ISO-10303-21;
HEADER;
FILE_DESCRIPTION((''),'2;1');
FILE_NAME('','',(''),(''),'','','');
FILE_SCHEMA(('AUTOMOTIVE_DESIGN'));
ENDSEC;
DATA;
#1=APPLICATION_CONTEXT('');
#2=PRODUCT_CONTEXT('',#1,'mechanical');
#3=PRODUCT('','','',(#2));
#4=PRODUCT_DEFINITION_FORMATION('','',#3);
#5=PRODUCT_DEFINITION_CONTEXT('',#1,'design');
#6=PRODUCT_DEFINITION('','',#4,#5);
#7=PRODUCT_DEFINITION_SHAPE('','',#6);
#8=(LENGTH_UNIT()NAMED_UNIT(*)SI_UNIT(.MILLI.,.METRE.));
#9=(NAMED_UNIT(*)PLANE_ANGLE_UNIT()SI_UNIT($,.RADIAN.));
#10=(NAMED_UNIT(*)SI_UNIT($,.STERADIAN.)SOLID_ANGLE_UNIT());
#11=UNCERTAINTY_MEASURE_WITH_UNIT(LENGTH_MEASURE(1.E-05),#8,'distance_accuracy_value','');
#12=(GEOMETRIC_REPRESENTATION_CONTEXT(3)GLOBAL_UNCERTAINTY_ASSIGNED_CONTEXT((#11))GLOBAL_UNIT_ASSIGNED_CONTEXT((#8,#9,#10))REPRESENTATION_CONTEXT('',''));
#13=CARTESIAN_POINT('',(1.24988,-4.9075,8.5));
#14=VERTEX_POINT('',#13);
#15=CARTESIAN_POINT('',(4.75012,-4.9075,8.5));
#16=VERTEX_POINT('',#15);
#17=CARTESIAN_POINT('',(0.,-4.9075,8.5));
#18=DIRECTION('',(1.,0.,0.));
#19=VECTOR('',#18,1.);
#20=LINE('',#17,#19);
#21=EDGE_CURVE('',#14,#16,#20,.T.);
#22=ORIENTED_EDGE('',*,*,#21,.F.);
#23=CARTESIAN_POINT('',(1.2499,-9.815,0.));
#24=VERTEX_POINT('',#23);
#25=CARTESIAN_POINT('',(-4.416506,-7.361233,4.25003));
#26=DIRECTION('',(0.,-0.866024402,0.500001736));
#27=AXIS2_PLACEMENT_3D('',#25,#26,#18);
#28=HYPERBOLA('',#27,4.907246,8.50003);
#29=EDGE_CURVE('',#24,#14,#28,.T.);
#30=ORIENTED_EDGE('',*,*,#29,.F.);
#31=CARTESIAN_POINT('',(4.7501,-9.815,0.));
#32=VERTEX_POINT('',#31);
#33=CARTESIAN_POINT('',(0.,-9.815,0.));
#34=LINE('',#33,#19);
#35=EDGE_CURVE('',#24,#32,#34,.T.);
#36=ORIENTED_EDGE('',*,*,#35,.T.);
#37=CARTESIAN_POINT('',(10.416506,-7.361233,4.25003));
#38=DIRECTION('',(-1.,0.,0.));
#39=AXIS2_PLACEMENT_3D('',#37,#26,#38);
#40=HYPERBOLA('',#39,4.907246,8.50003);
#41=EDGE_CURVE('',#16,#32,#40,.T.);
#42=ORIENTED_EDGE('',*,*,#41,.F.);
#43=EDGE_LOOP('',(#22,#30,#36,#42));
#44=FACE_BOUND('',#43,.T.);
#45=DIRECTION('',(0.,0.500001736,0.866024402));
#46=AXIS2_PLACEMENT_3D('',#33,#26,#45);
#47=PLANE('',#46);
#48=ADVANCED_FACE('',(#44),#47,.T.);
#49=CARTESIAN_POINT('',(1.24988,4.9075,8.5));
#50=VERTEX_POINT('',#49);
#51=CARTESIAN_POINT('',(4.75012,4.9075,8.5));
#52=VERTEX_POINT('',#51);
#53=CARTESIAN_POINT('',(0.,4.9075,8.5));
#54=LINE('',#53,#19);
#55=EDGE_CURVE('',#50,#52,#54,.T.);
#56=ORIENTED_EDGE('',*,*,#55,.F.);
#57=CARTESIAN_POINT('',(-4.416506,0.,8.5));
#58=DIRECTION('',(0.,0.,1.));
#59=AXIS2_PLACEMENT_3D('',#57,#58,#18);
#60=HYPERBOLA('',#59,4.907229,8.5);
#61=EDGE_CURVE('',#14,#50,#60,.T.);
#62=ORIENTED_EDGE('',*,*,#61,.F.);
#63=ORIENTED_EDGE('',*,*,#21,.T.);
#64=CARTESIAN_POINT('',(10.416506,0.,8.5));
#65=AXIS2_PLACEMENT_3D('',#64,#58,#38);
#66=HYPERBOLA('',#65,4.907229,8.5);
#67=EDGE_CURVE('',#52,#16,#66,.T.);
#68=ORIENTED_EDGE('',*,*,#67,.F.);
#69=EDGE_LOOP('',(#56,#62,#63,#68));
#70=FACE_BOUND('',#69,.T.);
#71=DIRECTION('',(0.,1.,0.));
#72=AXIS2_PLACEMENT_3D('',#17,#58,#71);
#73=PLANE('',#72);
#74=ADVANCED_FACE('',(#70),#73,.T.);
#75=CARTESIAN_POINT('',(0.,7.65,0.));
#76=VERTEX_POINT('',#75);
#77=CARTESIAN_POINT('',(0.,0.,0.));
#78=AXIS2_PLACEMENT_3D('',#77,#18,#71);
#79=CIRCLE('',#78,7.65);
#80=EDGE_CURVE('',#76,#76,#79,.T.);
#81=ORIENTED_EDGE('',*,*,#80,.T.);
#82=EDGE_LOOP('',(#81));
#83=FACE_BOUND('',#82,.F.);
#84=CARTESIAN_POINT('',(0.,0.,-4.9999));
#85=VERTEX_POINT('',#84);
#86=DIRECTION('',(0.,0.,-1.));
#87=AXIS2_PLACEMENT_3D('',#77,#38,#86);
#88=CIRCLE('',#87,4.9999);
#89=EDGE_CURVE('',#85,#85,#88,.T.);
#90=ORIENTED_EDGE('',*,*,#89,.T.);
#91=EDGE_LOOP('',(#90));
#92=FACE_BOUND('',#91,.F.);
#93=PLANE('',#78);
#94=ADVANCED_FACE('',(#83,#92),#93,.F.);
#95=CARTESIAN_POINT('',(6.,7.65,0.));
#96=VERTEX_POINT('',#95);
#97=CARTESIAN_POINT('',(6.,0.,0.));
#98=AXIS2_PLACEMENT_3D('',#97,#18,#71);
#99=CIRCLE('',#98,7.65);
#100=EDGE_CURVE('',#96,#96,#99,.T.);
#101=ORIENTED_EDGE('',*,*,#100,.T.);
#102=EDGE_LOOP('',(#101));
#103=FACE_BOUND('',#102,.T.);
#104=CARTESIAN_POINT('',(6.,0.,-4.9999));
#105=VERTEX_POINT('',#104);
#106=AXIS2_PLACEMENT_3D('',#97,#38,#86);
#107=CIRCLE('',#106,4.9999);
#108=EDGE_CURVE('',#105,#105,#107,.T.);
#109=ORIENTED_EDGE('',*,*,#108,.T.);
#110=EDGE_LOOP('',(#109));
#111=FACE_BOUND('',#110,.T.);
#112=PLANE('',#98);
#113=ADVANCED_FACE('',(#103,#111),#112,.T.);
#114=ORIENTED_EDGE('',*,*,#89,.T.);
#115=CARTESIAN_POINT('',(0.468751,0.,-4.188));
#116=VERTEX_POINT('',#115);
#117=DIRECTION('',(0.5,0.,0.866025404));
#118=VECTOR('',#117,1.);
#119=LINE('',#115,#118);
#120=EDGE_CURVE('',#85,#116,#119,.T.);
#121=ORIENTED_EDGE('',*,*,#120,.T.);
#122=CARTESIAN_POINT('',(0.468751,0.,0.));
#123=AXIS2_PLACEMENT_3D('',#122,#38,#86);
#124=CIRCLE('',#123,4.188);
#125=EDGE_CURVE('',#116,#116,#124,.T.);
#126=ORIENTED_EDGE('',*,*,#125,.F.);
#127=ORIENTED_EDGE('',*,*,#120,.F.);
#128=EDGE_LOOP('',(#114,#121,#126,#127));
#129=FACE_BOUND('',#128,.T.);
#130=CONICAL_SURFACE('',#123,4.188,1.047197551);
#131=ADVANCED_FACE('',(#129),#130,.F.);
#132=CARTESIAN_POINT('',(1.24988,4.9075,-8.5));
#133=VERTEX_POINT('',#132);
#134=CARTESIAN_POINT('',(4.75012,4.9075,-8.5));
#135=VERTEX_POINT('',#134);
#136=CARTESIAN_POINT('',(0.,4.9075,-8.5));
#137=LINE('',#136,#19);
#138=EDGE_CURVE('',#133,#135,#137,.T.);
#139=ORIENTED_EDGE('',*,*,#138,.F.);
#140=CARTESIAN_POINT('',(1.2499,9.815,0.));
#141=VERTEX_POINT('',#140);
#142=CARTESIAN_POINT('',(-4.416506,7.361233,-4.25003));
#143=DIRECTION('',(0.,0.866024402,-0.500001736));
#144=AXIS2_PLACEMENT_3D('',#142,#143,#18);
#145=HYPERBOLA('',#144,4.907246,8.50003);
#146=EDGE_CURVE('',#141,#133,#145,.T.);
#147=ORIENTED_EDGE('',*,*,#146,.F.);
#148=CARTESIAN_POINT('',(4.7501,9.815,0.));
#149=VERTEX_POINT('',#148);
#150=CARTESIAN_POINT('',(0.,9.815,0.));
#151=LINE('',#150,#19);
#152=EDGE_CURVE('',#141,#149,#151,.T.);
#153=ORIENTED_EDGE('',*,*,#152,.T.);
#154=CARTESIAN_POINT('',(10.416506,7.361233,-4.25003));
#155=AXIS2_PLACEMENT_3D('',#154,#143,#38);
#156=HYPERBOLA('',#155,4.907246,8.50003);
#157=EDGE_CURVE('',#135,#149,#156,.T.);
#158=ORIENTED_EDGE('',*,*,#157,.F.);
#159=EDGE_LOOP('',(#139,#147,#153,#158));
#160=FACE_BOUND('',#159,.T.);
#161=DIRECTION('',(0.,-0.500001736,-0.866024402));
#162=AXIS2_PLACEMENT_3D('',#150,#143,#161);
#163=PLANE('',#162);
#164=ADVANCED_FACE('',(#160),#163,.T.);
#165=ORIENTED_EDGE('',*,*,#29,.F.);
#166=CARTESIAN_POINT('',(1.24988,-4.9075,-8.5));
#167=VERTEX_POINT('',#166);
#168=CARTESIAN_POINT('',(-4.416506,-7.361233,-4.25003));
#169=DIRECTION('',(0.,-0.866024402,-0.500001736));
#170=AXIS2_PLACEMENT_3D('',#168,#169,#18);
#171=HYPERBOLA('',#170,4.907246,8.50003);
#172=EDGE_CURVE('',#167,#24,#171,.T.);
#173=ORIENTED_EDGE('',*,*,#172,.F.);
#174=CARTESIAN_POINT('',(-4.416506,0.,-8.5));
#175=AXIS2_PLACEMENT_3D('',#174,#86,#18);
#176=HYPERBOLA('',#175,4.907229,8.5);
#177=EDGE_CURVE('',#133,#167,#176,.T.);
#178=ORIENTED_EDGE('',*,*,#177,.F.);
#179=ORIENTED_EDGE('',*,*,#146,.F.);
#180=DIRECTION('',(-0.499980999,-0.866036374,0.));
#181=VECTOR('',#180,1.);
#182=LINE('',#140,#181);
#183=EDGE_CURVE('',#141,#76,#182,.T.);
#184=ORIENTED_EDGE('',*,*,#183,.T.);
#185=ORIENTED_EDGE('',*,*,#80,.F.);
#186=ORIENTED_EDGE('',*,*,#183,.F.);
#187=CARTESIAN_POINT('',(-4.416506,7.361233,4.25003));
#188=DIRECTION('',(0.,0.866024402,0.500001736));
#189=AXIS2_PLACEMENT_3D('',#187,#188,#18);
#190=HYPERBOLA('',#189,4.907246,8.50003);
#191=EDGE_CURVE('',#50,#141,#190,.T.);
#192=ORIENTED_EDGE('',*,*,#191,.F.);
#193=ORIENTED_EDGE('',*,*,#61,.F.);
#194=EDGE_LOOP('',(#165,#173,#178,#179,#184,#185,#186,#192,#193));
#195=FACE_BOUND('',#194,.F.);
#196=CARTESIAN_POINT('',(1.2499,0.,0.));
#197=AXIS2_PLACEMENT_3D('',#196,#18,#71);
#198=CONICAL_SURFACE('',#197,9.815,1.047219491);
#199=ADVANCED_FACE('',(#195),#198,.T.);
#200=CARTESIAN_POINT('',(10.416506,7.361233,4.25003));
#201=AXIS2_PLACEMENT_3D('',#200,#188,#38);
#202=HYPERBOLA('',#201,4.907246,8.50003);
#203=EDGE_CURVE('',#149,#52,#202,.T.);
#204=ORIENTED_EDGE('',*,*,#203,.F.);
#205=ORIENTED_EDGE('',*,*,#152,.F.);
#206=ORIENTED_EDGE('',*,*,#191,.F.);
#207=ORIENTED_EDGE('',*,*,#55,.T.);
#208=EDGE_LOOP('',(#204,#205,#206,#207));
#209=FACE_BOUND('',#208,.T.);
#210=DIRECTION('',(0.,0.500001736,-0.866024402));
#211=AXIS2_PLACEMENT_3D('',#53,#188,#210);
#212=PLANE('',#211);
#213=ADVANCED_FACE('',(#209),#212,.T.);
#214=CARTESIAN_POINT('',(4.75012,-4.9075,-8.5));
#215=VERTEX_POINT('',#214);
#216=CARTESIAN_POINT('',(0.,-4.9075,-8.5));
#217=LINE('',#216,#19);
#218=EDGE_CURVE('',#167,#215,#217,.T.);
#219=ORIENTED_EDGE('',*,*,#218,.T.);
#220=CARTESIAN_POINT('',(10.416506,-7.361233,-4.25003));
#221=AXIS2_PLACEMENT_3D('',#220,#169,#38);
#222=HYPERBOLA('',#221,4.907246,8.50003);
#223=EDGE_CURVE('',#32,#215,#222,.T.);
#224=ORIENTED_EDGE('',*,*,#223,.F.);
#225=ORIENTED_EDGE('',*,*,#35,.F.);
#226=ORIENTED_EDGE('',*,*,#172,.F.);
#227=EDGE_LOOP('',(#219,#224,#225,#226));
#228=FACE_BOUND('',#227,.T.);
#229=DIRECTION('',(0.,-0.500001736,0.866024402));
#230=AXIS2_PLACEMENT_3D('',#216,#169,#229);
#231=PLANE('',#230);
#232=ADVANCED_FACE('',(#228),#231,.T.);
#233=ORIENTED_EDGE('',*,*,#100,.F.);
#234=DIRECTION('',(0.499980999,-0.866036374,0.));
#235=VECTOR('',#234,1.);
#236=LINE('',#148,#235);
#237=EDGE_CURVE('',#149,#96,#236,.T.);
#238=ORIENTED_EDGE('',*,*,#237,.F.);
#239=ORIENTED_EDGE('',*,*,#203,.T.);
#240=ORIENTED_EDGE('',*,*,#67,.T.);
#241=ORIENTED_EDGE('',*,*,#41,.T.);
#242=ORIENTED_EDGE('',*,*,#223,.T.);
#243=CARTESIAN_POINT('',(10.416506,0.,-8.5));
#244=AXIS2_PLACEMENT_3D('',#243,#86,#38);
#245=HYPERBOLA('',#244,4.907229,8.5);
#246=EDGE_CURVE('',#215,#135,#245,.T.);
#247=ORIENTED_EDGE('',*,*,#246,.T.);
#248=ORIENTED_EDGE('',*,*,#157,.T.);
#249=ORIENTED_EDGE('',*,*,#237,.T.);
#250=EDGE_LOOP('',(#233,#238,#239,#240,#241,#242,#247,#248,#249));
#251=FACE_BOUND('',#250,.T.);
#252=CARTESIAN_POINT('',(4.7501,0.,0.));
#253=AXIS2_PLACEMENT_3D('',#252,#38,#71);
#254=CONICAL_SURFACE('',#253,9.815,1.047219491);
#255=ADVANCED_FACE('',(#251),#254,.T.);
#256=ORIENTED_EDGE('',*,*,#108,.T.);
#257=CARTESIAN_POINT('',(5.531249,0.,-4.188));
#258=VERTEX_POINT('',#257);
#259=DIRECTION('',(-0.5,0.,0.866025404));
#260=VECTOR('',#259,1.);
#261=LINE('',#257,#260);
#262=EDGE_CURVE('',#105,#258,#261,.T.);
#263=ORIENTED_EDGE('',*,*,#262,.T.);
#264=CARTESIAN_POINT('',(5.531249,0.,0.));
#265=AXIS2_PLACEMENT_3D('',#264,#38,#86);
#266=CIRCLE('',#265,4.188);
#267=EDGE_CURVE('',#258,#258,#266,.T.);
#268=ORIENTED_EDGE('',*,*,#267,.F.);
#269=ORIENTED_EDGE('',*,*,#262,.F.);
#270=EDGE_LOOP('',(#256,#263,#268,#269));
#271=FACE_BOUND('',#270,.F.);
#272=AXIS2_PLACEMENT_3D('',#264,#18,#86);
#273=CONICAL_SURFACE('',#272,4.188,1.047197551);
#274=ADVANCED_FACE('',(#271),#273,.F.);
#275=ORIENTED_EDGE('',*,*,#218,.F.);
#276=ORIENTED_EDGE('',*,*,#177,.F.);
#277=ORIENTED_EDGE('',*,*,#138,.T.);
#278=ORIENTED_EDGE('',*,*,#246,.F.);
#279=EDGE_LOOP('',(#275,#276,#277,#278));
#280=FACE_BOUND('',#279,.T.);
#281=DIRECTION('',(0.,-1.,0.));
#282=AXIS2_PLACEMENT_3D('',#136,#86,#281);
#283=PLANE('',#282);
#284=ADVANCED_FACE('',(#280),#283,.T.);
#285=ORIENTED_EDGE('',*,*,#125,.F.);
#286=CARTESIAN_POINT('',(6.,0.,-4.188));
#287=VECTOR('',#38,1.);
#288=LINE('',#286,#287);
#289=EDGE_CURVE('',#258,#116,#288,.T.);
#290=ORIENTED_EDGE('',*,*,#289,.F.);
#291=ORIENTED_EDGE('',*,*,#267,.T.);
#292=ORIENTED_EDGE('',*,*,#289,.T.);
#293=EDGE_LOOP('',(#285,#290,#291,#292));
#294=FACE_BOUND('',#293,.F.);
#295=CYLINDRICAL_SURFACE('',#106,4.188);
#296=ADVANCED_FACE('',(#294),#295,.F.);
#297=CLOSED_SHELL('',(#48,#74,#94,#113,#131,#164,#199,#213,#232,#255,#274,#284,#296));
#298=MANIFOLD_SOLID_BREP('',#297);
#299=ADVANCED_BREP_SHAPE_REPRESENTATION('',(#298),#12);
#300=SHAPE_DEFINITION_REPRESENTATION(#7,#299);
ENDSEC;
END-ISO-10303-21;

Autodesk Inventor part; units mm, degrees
ref_plane "YZ Plane" through (0, 0, 0) normal (1, 0, 0) x (0, 1, 0)
ref_plane "XZ Plane" through (0, 0, 0) normal (0, 1, 0) x (-1, 0, 0)
sketch "Эскиз1" plane through (0, 0, 0) normal (1, 0, 0) x (0, 1, 0)
  line L0 (-9.815, 0) -> (-4.9075, 8.5)
  line L1 (-4.9075, 8.5) -> (4.9075, 8.5)
  line L2 (4.9075, 8.5) -> (9.815, 0)
  line L3 (9.815, 0) -> (4.9075, -8.5)
  line L4 (4.9075, -8.5) -> (-4.9075, -8.5)
  line L5 (-4.9075, -8.5) -> (-9.815, 0)
  point P0 (0, 0)
  point P1 (0, 0)
  dimension "d0" = 19.6299
extrude "Базовый элемент" add sketch "Эскиз1" along normal blind 6
sketch "Эскиз2" plane through (0, 0, 0) normal (0, 0, 1) x (1, 0, 0)
  line L0 (0, 4.9075) -> (0, 9.815) projected
  line L1 (0, 9.815) -> (6, 9.815) projected
  line L2 (6, 4.9075) -> (6, 9.815) projected
  line L3 (-1.2, 0) -> (7.2, 0) projected
  line L4 (1.2499, 9.815) -> (0, 7.65)
  line L5 (4.7501, 9.815) -> (6, 7.65)
  dimension "d3" = 30
  dimension "d4" = 30
  dimension "d5" = 15.3
  dimension "d6" = 15.3
revolve "Фаска1" cut sketch "Эскиз2" angle 360 about axis through (-10, 0, 0) along (1, 0, 0)
sketch "Эскиз3" plane through (6, 0, 0) normal (1, 0, 0) x (0, 0, -1)
  arc A0 (-0.625, -1.0825) -> (0.625, -1.0825) centre (0, 0) ccw projected
hole "Резьба" at (6, 0, 0) direction (-1, 0, 0) diameter 8.376 end through all thread size "M10x1.5" class "6H" standard "ISO Metric profile"
chamfer "Фаска2" distance 0.8119 angle 30 1 edges at (6, 0, 4.188) measured on face at (6, 6.4117, -0.7785)
chamfer "Фаска3" distance 0.8119 angle 30 1 edges at (0, 0, 4.188) measured on face at (0, 6.4117, -0.7785)
ref_plane "Work Plane1" through (-20.7291, 0, 0) normal (0, -0.866, -0.5) x (1, 0, 0)
equation "\"d0\" = 1.1547 * SW"
equation "\"d1\" = KOH"
equation "\"d3\" = ANG1"
equation "\"d4\" = ANG2"
equation "\"d5\" = SW0"
equation "\"d6\" = SW01"
equation "\"d8\" = -0.5 * GD1 + 0.5 * NND"
equation "\"d40\" = -0.5 * GD1 + 0.5 * NND"
equation "\"d10\" = -0.5 * GD1 + 0.5 * NND"
equation "\"d41\" = -0.5 * GD1 + 0.5 * NND"
equation "\"ANG1\" = 30deg"
equation "\"ANG2\" = 30deg"
equation "\"KOH\" = 6"
equation "\"SW\" = 17"
equation "\"SW0\" = 15.3"
equation "\"SW01\" = 15.3"
equation "\"GUL\" = 0.541266 * PTC"
equation "\"LADI\" = 16.15"
equation "\"TOA\" = 30deg"
equation "\"FAWI\" = 30deg"
equation "\"PTC\" = 1.5"
equation "\"E0\" = 1.155 * SW"
equation "\"GAL\" = 0.541266 * PTC"
equation "\"GD1\" = 8.376202"
equation "\"NND\" = 10"
properties part number "Гайка M10-6H ГОСТ 5916-70" material "Сталь, мягкая"
